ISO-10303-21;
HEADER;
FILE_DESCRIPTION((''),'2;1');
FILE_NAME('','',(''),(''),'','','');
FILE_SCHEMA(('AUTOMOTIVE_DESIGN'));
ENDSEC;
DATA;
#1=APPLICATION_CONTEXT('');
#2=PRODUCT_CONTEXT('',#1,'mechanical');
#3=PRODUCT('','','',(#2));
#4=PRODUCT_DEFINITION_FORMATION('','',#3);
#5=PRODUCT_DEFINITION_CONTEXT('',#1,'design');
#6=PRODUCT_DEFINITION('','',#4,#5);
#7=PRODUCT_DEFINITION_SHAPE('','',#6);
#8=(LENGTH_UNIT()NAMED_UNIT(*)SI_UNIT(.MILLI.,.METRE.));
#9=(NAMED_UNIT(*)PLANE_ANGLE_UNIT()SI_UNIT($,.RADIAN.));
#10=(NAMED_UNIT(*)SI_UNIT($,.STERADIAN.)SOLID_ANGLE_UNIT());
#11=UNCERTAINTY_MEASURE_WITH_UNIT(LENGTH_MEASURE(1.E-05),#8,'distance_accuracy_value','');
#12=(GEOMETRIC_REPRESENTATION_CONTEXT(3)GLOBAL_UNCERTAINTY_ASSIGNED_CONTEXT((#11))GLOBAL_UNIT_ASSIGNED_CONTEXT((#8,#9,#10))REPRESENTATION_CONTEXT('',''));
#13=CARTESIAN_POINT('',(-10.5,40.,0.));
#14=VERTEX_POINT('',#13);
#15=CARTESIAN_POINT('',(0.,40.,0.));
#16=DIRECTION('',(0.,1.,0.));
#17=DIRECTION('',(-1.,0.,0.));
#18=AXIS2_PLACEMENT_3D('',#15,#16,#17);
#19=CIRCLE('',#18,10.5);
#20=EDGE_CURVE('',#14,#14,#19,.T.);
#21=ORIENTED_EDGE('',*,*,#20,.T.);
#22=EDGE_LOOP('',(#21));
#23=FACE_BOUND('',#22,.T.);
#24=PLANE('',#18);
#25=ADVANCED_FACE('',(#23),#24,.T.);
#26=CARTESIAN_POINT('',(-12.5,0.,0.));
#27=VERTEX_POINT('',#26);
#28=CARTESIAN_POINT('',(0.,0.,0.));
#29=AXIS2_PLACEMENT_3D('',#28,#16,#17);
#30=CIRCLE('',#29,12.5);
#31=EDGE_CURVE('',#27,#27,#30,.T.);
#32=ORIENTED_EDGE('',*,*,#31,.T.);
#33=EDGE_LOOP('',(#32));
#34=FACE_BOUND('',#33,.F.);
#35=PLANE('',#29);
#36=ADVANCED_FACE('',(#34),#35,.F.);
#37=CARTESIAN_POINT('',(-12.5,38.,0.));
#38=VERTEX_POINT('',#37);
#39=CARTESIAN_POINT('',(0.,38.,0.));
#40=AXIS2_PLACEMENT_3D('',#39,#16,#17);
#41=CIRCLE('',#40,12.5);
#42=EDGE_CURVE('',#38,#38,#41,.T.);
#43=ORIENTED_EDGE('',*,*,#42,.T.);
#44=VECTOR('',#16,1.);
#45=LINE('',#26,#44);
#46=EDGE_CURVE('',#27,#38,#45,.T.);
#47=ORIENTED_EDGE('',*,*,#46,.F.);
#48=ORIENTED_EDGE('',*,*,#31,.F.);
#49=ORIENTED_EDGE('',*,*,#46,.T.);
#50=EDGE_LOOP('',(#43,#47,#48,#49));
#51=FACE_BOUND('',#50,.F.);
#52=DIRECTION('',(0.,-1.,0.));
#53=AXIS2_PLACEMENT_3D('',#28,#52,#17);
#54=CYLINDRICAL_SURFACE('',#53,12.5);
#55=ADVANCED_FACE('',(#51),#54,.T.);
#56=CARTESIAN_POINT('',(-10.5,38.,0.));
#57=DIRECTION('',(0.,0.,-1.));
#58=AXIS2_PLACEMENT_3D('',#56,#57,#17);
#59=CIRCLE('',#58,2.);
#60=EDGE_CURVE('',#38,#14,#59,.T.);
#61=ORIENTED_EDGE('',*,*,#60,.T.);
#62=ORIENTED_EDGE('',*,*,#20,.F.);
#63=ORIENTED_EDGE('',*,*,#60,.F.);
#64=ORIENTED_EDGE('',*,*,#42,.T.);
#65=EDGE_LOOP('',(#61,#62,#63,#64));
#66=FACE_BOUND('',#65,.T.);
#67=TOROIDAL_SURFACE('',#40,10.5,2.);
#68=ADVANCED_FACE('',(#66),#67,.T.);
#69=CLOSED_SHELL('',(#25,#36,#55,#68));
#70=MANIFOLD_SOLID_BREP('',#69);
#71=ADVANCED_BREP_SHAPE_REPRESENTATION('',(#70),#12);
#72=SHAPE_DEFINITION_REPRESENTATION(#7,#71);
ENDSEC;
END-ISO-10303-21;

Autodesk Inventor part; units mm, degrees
ref_plane "YZ Plane" through (0, 0, 0) normal (1, 0, 0) x (0, 1, 0)
ref_plane "XZ Plane" through (0, 0, 0) normal (0, 1, 0) x (-1, 0, 0)
ref_plane "XY Plane" through (0, 0, 0) normal (0, 0, 1) x (1, 0, 0)
sketch "Эскиз1" plane through (0, 0, 0) normal (0, 1, 0) x (-1, 0, 0)
  circle A0 centre (0, 0) radius 12.5
  dimension "d0" = 25
extrude "Выдавливание1" add sketch "Эскиз1" along normal blind 40
fillet "Сопряжение1" radius 2 1 edges at (12.5, 40, 0)
properties part number "Capasitor"
